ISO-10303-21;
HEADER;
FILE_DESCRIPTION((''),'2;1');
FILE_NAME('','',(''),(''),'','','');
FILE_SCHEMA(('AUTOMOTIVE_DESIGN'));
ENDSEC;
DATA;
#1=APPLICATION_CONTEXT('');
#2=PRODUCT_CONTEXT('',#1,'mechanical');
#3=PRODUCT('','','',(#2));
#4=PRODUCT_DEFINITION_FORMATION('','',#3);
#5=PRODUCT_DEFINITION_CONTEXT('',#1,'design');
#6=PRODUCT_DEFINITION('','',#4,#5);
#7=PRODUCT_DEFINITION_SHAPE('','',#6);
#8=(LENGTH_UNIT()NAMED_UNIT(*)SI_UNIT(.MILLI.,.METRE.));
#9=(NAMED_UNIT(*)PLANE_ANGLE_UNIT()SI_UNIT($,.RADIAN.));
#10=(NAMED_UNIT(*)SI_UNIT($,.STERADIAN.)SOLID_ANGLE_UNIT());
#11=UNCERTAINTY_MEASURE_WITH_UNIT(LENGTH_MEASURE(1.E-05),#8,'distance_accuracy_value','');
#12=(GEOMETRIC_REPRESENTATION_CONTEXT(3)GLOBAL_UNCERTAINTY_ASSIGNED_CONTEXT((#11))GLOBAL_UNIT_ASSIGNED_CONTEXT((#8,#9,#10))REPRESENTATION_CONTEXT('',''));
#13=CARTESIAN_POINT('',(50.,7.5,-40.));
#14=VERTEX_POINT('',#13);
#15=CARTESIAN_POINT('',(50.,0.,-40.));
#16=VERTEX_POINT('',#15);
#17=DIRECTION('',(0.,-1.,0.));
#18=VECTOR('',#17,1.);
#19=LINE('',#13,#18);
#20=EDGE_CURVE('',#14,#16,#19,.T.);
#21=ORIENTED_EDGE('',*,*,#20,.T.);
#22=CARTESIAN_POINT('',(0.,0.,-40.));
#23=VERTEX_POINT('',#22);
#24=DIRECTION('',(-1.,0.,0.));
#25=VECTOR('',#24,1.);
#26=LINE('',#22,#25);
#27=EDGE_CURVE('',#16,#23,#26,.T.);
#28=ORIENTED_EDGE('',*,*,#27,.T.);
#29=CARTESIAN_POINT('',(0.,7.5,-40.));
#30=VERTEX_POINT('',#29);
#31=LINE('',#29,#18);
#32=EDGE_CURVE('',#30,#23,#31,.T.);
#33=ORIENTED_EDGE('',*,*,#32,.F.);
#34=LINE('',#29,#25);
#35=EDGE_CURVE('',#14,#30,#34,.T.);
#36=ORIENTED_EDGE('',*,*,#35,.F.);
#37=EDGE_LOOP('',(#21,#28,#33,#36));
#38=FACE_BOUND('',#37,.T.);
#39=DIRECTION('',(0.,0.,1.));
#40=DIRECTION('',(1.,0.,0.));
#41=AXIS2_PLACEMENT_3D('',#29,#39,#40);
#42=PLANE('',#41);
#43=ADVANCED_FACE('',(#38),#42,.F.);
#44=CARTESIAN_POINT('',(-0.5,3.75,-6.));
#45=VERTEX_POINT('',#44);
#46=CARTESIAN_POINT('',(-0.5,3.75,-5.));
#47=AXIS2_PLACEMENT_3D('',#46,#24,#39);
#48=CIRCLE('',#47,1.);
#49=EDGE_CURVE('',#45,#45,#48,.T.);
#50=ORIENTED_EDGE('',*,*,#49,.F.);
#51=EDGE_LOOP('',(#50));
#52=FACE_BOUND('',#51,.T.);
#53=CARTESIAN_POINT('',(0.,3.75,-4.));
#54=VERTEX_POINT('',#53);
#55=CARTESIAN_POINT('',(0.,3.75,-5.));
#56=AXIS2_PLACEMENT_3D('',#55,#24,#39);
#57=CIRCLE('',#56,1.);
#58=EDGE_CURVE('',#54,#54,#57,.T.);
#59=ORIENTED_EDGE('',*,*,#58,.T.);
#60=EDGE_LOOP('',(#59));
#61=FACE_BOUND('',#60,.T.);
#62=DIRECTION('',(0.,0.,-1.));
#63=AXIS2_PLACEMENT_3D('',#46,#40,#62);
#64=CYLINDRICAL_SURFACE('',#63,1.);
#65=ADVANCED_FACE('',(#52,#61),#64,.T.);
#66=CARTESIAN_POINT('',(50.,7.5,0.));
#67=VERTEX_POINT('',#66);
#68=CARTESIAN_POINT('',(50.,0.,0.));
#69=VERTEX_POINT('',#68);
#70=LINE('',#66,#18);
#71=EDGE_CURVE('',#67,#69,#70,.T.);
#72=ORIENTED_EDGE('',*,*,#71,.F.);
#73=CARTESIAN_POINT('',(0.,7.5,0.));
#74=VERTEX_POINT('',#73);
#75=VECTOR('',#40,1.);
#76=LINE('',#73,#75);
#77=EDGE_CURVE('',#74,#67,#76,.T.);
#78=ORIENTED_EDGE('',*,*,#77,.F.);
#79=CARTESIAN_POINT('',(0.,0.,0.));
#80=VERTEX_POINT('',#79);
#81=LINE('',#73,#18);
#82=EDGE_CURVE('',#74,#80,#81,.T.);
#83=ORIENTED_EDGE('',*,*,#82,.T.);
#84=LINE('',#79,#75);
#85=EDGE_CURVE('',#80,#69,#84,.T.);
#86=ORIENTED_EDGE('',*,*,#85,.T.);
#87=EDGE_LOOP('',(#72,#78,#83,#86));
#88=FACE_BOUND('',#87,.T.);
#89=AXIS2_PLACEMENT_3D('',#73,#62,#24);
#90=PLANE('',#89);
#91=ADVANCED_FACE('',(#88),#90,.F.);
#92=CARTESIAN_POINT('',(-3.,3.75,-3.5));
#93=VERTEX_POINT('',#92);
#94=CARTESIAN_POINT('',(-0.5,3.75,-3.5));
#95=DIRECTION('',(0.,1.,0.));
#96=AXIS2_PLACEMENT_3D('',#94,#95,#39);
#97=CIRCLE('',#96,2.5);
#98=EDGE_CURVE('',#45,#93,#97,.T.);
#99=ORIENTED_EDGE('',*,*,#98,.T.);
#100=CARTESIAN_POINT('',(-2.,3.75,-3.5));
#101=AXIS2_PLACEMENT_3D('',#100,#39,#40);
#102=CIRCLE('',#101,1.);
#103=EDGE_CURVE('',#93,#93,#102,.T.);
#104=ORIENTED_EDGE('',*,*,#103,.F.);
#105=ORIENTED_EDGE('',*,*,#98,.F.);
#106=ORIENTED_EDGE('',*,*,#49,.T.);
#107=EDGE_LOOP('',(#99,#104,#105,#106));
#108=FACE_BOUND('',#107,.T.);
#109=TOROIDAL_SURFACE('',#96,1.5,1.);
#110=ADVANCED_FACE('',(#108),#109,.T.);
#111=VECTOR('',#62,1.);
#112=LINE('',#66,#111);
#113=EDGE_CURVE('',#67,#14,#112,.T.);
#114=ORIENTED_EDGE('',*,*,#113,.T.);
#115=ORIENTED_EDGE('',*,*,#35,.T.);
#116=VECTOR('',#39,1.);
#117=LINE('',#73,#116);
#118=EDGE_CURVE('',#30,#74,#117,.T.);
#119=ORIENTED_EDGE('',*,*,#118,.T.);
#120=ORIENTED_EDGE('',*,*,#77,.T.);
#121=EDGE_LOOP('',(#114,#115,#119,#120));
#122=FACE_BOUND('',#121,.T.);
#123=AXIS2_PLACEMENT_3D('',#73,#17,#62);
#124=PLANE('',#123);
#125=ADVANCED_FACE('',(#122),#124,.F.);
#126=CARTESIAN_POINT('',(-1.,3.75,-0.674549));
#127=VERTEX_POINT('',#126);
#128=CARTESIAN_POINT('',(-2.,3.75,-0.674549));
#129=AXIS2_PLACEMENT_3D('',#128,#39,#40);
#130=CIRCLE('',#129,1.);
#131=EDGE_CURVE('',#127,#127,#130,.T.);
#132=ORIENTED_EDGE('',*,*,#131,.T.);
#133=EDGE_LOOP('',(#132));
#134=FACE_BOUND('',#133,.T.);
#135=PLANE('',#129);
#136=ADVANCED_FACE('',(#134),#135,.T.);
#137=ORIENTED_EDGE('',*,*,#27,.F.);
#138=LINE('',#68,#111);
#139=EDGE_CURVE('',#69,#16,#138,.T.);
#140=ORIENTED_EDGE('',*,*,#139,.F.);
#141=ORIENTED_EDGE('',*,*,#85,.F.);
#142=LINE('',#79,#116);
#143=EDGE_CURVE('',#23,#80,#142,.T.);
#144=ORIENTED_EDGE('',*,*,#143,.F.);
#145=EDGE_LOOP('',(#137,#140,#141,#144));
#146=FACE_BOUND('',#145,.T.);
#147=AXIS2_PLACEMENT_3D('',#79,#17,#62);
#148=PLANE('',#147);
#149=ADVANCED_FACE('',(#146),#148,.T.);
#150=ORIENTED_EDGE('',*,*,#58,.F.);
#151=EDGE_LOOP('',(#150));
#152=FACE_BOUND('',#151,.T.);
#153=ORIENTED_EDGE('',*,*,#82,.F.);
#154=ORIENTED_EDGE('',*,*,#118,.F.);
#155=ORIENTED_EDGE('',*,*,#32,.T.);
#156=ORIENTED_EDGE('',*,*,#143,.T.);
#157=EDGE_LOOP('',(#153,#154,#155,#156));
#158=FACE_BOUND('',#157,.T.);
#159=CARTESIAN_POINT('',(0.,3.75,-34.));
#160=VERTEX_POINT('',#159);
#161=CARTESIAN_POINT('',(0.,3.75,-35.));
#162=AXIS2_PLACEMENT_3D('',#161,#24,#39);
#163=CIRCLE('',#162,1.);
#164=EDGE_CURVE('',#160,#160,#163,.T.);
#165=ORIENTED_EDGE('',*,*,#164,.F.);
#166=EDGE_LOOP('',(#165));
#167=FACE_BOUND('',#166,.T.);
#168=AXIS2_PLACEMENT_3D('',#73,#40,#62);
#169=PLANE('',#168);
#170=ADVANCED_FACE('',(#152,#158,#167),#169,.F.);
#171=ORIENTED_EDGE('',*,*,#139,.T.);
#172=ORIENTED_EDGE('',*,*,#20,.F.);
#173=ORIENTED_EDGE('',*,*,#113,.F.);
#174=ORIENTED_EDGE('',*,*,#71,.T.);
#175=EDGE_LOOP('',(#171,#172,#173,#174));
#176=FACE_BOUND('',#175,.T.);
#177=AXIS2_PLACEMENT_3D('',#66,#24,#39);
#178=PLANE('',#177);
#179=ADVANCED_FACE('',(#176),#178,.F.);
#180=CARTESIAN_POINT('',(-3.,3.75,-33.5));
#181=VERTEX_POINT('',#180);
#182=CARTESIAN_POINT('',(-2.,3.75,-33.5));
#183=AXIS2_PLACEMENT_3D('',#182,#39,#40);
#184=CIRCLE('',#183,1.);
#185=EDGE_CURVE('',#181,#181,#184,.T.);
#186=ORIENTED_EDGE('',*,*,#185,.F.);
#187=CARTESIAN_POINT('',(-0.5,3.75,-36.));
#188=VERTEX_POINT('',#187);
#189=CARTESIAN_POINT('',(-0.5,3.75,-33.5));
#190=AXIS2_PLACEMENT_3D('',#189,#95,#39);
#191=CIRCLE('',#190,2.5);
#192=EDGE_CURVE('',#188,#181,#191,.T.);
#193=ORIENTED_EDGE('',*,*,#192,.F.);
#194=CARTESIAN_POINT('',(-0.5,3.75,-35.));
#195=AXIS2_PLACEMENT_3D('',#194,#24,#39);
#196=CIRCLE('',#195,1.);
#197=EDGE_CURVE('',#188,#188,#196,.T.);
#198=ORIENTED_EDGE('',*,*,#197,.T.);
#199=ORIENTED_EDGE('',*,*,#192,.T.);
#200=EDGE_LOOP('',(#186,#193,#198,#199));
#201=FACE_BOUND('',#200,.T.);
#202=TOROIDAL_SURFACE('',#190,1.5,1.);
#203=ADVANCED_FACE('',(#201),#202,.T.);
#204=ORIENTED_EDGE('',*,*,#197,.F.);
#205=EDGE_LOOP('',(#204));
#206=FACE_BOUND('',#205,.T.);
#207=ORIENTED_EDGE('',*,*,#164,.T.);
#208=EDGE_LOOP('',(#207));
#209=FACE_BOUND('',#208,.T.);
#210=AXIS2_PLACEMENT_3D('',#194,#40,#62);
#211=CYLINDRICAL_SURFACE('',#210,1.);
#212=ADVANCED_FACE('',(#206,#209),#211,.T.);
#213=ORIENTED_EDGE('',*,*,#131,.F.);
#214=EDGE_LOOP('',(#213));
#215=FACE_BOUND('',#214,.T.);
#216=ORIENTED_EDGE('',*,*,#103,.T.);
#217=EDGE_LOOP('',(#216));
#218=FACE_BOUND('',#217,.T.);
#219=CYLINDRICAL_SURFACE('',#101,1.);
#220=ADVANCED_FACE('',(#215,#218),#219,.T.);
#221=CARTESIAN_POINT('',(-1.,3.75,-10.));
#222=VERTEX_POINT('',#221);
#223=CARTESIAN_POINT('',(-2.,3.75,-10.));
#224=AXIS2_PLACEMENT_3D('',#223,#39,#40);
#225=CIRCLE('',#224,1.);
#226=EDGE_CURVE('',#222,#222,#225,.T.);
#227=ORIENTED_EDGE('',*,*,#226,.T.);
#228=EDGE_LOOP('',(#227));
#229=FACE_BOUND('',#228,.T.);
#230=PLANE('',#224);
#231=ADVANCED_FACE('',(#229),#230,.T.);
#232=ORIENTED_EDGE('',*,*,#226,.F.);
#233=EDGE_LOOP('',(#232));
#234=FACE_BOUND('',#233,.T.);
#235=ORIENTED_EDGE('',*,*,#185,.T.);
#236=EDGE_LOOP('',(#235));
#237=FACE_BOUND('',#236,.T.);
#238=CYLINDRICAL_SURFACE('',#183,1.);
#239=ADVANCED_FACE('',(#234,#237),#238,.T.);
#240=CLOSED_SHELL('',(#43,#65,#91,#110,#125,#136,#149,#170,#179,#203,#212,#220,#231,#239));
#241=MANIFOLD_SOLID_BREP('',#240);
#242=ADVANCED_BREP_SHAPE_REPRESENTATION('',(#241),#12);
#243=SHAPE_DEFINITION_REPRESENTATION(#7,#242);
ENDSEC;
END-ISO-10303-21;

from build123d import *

# Parameters (mm, degrees)
SKETCH1_W           = 50
SKETCH1_H           = 40.00000001
BOSS_EXTRUDE1_DEPTH = 7.5
SKETCH2_R           = 1
SKETCH4_R           = 1


with BuildPart() as part:
    # Sketch1 → Boss-Extrude1 (new body)
    with BuildSketch(Plane(origin=(0, 0, 0), x_dir=(1, 0, 0), z_dir=(0, 1, 0))):
        with Locations((25, 20.000000005)):
            Rectangle(SKETCH1_W, SKETCH1_H)
    extrude(amount=BOSS_EXTRUDE1_DEPTH)

    # Sweep1: sweep along a path in Sketch3
    with BuildLine(Plane(origin=(0, 3.75, 0), x_dir=(1, 0, 0), z_dir=(0, 1, 0))) as sweep1_path:
        Line((0, 35.000000005), (-0.5, 35.000000005))
        ThreePointArc((-0.5, 35.000000005), (-1.560660172, 34.560660177), (-2, 33.500000005))
        Line((-2, 33.500000005), (-2, 10.000000005))
    # Sketch2 → Sweep1 (sweep)
    with BuildSketch(Plane.ZY):
        with Locations((-35.000000005, 3.75)):
            Circle(SKETCH2_R)
    sweep(path=sweep1_path.line)

    # Sweep2: sweep along a path in Sketch5
    with BuildLine(Plane(origin=(0, 3.75, 0), x_dir=(1, 0, 0), z_dir=(0, 1, 0))) as sweep2_path:
        Line((0, 5), (-0.5, 5))
        ThreePointArc((-0.5, 5), (-1.560660172, 4.560660172), (-2, 3.5))
        Line((-2, 3.5), (-2, 0.674549329))
    # Sketch4 → Sweep2 (sweep)
    with BuildSketch(Plane.ZY):
        with Locations((-5, 3.75)):
            Circle(SKETCH4_R)
    sweep(path=sweep2_path.line)


solid = part.part
